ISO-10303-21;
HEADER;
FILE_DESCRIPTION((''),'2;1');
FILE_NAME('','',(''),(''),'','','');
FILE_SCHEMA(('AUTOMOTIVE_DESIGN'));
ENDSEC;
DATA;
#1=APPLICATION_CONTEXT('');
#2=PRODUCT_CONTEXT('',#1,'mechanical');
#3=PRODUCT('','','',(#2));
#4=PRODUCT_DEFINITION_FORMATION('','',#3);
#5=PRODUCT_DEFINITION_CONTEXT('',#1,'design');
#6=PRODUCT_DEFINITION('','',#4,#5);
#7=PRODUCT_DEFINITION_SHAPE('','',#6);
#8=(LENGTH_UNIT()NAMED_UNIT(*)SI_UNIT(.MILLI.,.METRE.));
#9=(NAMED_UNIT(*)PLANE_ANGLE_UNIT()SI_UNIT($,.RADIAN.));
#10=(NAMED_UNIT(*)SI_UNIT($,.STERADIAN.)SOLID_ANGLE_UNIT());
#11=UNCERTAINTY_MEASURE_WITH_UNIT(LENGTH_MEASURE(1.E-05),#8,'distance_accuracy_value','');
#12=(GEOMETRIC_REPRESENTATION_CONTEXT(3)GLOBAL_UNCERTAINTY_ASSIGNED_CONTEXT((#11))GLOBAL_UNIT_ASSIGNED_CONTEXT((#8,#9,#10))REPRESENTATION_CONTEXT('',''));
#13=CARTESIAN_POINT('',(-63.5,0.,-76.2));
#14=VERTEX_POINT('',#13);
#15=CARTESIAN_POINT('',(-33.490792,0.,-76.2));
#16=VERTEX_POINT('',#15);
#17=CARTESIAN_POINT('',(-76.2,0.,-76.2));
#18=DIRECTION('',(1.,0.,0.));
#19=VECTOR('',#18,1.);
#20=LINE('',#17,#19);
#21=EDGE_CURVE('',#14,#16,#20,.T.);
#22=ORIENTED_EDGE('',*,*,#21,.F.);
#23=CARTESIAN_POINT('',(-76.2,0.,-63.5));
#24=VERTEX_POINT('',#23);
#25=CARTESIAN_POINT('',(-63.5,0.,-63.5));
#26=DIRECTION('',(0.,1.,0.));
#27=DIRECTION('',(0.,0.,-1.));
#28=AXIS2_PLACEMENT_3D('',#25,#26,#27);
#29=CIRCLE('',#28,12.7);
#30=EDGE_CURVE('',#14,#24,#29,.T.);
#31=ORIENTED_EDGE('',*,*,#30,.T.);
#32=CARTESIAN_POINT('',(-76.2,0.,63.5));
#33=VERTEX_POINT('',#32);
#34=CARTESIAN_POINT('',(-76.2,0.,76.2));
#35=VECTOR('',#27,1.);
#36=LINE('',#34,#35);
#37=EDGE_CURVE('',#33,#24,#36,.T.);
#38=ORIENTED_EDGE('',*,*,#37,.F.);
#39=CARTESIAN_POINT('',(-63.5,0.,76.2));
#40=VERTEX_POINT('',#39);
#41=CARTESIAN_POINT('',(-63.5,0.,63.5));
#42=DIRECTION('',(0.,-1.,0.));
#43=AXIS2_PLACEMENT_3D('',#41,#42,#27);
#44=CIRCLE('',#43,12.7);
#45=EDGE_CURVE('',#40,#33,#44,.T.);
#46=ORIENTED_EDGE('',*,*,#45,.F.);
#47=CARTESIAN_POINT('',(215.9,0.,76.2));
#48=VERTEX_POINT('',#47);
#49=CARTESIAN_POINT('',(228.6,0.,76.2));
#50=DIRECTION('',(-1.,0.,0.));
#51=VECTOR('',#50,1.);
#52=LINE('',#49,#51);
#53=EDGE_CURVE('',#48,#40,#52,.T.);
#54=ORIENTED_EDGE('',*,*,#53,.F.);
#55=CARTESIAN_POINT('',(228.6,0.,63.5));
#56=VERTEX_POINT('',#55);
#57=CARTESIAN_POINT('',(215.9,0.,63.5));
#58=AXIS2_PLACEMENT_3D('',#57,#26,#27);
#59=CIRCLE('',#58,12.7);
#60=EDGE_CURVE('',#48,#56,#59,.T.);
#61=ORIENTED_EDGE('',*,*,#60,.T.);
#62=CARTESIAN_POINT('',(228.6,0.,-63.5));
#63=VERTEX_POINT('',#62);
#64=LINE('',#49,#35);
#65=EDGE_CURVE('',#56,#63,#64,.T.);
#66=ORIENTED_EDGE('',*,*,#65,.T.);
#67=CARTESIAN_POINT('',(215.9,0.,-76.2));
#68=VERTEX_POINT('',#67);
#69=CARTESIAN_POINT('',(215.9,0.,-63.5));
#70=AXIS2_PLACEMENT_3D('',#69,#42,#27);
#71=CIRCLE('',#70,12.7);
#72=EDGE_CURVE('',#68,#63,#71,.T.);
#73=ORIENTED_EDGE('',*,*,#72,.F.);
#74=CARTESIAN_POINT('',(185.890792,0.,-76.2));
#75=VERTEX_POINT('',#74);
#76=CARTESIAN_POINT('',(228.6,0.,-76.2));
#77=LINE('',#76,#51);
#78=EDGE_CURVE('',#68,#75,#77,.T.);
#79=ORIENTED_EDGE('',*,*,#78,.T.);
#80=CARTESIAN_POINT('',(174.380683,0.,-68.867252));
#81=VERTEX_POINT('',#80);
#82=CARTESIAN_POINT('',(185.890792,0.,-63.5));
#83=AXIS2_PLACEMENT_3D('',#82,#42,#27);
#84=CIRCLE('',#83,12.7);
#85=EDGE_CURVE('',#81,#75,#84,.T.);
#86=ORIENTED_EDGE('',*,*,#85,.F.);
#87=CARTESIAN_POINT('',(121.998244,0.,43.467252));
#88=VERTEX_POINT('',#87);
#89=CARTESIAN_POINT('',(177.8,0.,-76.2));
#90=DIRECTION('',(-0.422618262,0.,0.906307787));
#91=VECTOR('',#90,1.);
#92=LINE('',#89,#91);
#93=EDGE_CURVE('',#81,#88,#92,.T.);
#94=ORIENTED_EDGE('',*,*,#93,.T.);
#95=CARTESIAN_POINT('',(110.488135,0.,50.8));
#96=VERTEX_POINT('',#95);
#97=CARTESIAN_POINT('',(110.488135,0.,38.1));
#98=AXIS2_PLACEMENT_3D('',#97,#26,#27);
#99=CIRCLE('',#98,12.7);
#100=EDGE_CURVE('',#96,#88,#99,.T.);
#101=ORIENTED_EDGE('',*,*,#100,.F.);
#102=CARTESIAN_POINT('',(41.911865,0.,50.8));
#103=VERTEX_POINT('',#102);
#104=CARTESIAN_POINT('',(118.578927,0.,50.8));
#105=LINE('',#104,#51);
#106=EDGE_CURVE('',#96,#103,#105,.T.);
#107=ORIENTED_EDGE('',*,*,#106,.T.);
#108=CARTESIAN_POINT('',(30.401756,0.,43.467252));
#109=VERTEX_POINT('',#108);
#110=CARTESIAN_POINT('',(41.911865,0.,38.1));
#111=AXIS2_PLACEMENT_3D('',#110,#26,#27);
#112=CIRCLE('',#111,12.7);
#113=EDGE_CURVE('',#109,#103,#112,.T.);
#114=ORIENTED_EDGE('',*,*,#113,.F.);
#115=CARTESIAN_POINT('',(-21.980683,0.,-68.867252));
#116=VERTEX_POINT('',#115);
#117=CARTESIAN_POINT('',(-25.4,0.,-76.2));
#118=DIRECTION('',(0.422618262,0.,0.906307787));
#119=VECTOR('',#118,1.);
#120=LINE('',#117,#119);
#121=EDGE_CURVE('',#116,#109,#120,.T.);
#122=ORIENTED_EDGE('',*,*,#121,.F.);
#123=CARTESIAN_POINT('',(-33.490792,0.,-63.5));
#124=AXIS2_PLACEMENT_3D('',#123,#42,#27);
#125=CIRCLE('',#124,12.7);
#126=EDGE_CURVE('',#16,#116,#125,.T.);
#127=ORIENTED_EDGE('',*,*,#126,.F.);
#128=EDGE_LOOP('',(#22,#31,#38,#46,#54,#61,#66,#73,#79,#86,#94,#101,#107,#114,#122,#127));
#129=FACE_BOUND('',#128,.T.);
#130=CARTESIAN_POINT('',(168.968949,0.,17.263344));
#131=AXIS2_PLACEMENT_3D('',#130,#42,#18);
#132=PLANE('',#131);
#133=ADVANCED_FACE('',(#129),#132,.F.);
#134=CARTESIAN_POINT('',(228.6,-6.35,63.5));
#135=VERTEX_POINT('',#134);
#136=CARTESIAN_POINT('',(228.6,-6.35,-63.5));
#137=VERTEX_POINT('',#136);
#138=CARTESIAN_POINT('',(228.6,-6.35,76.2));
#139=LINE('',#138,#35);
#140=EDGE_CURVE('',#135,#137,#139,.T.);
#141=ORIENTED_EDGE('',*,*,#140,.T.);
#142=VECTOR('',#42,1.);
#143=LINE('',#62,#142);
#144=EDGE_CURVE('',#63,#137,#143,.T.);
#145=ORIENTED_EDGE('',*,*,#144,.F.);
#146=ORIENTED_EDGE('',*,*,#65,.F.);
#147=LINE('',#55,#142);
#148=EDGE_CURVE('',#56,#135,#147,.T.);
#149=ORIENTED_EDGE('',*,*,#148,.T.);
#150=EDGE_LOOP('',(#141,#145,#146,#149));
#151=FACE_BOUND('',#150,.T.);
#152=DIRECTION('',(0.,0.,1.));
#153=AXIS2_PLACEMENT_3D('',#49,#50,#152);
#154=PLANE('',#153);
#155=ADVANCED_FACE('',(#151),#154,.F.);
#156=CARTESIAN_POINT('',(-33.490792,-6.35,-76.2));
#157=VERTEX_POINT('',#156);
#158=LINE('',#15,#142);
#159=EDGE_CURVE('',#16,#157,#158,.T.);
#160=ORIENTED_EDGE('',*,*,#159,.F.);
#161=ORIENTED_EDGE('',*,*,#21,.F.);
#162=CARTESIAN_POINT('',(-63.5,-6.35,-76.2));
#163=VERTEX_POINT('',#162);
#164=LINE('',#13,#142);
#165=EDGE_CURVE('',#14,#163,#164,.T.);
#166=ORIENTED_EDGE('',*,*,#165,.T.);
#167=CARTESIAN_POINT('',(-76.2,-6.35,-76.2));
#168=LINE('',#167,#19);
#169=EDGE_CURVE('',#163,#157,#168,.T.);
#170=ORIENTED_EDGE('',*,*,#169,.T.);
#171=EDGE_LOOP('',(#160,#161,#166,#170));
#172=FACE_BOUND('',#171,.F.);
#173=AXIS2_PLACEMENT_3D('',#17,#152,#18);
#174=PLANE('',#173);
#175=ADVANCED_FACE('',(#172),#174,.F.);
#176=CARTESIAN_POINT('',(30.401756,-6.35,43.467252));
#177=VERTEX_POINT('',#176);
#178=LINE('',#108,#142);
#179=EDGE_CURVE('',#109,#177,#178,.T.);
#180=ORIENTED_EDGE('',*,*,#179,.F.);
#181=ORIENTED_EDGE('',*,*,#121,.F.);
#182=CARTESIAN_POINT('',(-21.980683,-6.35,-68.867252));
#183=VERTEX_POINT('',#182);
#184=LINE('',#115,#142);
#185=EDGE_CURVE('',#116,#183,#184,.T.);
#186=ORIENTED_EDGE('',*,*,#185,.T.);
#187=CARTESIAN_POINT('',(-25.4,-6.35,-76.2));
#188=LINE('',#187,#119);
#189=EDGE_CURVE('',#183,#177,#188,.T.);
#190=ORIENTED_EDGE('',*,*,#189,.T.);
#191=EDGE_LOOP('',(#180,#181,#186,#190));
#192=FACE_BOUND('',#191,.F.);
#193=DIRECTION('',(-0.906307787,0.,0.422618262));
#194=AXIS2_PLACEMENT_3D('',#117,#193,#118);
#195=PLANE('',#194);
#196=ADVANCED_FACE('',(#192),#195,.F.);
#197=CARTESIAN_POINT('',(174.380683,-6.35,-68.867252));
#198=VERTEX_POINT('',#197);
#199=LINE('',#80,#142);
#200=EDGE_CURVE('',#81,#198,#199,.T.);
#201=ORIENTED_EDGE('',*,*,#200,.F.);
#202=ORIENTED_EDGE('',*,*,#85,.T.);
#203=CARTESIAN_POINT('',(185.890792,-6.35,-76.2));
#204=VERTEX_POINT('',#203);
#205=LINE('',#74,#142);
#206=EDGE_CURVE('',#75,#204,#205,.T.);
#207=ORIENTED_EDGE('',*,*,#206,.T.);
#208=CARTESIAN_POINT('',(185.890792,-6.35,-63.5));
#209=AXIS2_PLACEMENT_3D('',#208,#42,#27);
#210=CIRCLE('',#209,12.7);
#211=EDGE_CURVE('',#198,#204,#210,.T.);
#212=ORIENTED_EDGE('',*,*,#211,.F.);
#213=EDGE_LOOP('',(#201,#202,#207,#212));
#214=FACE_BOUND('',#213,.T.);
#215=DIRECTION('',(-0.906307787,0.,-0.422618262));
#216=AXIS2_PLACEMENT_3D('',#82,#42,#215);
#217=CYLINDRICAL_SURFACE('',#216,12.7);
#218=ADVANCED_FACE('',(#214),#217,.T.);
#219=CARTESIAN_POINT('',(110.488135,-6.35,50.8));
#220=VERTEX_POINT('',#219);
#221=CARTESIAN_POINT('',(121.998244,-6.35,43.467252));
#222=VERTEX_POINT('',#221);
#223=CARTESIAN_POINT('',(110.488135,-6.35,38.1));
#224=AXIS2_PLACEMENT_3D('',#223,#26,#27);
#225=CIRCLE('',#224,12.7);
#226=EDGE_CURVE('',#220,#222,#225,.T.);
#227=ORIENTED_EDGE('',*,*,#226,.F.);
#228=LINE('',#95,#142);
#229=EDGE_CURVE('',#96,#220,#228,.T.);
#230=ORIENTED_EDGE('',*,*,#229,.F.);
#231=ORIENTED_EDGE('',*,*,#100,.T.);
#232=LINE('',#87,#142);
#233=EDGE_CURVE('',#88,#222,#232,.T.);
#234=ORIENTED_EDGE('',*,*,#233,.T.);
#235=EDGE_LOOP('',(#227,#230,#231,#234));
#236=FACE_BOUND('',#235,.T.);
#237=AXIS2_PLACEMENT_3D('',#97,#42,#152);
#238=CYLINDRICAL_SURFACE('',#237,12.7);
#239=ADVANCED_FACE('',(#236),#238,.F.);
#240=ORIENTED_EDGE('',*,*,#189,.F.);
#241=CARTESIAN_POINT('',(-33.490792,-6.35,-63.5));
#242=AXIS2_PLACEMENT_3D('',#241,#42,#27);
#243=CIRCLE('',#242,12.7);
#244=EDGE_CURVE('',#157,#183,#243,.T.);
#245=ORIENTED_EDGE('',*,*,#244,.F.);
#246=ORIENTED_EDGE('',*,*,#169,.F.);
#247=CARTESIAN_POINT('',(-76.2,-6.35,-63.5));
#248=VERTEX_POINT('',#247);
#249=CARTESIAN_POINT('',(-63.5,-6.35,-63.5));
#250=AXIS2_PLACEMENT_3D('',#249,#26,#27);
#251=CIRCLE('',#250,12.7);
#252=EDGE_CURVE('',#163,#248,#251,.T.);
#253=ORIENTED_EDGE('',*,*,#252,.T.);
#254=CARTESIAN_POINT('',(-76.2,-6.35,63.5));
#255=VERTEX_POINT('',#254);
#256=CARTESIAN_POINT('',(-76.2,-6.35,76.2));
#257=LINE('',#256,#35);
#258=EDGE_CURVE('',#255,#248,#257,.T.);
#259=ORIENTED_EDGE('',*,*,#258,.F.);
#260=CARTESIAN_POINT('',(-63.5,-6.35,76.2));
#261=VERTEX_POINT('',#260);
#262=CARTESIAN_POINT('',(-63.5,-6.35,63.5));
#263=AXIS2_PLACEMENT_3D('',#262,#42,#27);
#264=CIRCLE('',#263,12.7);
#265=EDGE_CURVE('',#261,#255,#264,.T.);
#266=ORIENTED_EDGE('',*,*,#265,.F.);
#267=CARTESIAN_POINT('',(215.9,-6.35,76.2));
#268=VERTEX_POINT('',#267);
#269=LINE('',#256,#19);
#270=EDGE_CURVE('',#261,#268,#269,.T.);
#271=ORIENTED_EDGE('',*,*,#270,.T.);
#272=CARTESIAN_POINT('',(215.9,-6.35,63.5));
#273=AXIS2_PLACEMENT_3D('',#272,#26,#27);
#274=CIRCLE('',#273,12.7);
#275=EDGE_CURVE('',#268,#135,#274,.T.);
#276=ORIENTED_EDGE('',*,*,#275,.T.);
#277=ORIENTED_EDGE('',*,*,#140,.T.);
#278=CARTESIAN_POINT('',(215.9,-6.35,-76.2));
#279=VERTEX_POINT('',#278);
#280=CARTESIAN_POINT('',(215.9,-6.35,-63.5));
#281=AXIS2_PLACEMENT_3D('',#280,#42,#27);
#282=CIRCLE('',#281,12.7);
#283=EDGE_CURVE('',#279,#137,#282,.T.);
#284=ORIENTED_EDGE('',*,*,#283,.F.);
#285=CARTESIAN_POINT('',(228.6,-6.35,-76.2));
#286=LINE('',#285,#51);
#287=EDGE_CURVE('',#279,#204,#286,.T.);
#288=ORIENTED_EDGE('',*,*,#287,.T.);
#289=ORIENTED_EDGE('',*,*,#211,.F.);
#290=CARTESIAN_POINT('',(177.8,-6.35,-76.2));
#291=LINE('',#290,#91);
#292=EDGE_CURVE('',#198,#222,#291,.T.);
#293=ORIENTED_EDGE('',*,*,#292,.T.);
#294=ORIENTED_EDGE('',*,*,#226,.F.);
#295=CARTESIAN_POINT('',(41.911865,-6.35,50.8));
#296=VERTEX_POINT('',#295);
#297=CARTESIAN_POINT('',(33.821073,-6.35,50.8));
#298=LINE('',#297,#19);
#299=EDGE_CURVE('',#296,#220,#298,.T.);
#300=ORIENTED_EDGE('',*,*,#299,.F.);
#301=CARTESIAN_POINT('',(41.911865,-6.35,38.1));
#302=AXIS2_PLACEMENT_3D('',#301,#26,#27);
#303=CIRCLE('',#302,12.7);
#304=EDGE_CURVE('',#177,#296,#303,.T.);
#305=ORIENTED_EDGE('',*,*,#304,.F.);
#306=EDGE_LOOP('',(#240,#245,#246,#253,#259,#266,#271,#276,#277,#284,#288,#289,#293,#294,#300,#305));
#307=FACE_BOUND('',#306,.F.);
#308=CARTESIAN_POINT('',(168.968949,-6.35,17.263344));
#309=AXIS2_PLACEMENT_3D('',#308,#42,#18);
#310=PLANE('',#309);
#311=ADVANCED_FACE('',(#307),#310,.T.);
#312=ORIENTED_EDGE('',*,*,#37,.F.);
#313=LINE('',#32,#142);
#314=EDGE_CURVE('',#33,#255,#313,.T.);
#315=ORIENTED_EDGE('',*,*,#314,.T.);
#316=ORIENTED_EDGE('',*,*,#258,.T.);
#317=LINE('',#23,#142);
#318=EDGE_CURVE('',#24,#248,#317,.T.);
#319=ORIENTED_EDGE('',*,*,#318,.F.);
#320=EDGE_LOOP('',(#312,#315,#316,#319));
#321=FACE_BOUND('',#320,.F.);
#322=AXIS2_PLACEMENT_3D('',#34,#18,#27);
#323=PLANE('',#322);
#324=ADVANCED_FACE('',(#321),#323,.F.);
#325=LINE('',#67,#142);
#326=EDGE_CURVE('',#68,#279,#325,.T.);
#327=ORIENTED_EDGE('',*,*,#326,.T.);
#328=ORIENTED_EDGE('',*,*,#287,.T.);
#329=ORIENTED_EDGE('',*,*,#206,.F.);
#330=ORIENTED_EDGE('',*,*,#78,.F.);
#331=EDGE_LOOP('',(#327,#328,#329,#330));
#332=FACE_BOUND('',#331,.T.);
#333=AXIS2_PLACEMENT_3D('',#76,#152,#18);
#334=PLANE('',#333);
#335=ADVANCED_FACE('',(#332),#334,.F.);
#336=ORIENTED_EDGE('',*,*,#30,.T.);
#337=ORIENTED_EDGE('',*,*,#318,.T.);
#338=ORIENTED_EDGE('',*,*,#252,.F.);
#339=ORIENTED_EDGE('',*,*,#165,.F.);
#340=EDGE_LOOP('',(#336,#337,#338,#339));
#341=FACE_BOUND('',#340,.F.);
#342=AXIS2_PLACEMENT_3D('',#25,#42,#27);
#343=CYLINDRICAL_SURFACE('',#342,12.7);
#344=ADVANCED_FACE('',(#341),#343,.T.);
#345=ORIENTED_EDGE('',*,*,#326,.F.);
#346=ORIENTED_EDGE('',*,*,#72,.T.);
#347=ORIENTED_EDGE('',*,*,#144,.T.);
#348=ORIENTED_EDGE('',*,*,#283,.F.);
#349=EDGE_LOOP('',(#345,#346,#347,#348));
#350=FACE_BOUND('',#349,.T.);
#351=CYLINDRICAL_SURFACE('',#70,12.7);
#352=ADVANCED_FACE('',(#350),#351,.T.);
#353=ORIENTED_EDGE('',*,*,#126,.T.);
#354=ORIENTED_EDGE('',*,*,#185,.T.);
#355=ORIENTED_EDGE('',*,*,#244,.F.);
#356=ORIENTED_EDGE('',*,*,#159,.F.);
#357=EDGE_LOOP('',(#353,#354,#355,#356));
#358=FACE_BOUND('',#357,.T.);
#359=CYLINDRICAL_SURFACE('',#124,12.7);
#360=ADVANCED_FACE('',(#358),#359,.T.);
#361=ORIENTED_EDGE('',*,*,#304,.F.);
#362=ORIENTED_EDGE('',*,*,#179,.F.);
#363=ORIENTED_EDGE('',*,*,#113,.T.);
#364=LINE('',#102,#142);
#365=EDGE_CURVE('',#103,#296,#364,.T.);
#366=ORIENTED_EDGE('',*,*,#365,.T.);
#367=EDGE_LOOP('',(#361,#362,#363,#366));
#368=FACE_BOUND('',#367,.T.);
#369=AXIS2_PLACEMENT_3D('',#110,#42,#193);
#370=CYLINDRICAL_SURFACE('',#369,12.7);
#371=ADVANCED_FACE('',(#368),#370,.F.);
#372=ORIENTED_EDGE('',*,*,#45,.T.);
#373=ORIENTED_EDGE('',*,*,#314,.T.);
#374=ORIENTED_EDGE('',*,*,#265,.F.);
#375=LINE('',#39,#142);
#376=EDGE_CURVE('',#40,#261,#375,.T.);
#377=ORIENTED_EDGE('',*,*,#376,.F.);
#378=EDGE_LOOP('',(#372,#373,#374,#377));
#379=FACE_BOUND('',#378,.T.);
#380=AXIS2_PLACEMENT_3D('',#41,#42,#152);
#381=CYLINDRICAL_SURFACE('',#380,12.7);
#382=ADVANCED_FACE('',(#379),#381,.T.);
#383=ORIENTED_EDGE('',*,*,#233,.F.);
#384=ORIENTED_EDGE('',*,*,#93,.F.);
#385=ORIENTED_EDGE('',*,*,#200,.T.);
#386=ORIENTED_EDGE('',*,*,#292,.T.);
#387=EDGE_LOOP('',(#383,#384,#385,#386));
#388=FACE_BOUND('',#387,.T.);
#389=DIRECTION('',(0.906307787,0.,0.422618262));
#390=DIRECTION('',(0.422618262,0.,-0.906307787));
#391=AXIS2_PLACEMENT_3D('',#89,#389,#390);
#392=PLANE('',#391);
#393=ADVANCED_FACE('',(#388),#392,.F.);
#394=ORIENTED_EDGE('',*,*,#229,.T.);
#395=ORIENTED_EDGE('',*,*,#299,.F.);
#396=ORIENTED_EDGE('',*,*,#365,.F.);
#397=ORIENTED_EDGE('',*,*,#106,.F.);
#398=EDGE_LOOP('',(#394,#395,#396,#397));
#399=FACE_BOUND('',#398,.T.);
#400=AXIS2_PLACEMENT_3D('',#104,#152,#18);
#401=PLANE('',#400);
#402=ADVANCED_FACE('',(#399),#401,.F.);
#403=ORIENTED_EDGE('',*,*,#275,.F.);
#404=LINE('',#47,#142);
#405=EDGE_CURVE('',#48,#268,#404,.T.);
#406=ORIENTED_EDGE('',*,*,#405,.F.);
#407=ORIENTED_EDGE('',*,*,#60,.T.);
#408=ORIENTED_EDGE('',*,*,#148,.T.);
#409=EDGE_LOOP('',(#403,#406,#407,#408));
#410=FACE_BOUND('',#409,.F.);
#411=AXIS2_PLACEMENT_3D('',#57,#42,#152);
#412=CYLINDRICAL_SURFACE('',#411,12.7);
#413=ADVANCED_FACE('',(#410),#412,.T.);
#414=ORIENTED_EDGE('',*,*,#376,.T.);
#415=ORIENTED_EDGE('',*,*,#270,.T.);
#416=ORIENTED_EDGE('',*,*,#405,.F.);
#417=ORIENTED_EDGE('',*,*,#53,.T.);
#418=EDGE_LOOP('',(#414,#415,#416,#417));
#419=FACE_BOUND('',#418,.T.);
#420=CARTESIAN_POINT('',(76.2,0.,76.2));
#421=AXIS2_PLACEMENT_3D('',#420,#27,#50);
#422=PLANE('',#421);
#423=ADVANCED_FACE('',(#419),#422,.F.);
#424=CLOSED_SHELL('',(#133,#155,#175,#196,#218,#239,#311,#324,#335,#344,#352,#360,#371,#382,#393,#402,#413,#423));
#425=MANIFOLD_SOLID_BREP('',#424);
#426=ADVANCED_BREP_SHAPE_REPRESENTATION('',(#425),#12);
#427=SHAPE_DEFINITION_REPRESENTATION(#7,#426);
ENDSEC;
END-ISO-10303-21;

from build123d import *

# Parameters (mm, degrees)
F1_DEPTH = 6.35
F3_R     = 12.7


with BuildPart() as f1:
    # F0 (on Front) → F1 (new body)
    with BuildSketch(Plane.XZ):
        Polygon((76.2, 76.2), (-76.2, 76.2), (-76.2, -76.2), (-25.4, -76.2), (33.8210725857, 50.8), (76.2, 50.8), align=None)
    extrude(amount=F1_DEPTH)

    # F2: F1 across face


with BuildPart() as f1_1:
    add(f1.part)
    add(f1.part.mirror(Plane(origin=(76.2, -3.175, 63.5), x_dir=(0, 1, 0), z_dir=(1, 0, 0))))

    # F3
    f3_edges = [f1_1.edges().sort_by_distance(p)[0] for p in [
        (33.821073, -3.175, 50.8),
        (118.578927, -3.175, 50.8),
        (177.8, -3.175, -76.2),
        (-25.4, -3.175, -76.2),
        (-76.2, -3.175, -76.2),
        (228.6, -3.175, -76.2),
        (228.6, -3.175, 76.2),
        (-76.2, -3.175, 76.2),
    ]]
    fillet(f3_edges, radius=F3_R)


solid = f1_1.part
